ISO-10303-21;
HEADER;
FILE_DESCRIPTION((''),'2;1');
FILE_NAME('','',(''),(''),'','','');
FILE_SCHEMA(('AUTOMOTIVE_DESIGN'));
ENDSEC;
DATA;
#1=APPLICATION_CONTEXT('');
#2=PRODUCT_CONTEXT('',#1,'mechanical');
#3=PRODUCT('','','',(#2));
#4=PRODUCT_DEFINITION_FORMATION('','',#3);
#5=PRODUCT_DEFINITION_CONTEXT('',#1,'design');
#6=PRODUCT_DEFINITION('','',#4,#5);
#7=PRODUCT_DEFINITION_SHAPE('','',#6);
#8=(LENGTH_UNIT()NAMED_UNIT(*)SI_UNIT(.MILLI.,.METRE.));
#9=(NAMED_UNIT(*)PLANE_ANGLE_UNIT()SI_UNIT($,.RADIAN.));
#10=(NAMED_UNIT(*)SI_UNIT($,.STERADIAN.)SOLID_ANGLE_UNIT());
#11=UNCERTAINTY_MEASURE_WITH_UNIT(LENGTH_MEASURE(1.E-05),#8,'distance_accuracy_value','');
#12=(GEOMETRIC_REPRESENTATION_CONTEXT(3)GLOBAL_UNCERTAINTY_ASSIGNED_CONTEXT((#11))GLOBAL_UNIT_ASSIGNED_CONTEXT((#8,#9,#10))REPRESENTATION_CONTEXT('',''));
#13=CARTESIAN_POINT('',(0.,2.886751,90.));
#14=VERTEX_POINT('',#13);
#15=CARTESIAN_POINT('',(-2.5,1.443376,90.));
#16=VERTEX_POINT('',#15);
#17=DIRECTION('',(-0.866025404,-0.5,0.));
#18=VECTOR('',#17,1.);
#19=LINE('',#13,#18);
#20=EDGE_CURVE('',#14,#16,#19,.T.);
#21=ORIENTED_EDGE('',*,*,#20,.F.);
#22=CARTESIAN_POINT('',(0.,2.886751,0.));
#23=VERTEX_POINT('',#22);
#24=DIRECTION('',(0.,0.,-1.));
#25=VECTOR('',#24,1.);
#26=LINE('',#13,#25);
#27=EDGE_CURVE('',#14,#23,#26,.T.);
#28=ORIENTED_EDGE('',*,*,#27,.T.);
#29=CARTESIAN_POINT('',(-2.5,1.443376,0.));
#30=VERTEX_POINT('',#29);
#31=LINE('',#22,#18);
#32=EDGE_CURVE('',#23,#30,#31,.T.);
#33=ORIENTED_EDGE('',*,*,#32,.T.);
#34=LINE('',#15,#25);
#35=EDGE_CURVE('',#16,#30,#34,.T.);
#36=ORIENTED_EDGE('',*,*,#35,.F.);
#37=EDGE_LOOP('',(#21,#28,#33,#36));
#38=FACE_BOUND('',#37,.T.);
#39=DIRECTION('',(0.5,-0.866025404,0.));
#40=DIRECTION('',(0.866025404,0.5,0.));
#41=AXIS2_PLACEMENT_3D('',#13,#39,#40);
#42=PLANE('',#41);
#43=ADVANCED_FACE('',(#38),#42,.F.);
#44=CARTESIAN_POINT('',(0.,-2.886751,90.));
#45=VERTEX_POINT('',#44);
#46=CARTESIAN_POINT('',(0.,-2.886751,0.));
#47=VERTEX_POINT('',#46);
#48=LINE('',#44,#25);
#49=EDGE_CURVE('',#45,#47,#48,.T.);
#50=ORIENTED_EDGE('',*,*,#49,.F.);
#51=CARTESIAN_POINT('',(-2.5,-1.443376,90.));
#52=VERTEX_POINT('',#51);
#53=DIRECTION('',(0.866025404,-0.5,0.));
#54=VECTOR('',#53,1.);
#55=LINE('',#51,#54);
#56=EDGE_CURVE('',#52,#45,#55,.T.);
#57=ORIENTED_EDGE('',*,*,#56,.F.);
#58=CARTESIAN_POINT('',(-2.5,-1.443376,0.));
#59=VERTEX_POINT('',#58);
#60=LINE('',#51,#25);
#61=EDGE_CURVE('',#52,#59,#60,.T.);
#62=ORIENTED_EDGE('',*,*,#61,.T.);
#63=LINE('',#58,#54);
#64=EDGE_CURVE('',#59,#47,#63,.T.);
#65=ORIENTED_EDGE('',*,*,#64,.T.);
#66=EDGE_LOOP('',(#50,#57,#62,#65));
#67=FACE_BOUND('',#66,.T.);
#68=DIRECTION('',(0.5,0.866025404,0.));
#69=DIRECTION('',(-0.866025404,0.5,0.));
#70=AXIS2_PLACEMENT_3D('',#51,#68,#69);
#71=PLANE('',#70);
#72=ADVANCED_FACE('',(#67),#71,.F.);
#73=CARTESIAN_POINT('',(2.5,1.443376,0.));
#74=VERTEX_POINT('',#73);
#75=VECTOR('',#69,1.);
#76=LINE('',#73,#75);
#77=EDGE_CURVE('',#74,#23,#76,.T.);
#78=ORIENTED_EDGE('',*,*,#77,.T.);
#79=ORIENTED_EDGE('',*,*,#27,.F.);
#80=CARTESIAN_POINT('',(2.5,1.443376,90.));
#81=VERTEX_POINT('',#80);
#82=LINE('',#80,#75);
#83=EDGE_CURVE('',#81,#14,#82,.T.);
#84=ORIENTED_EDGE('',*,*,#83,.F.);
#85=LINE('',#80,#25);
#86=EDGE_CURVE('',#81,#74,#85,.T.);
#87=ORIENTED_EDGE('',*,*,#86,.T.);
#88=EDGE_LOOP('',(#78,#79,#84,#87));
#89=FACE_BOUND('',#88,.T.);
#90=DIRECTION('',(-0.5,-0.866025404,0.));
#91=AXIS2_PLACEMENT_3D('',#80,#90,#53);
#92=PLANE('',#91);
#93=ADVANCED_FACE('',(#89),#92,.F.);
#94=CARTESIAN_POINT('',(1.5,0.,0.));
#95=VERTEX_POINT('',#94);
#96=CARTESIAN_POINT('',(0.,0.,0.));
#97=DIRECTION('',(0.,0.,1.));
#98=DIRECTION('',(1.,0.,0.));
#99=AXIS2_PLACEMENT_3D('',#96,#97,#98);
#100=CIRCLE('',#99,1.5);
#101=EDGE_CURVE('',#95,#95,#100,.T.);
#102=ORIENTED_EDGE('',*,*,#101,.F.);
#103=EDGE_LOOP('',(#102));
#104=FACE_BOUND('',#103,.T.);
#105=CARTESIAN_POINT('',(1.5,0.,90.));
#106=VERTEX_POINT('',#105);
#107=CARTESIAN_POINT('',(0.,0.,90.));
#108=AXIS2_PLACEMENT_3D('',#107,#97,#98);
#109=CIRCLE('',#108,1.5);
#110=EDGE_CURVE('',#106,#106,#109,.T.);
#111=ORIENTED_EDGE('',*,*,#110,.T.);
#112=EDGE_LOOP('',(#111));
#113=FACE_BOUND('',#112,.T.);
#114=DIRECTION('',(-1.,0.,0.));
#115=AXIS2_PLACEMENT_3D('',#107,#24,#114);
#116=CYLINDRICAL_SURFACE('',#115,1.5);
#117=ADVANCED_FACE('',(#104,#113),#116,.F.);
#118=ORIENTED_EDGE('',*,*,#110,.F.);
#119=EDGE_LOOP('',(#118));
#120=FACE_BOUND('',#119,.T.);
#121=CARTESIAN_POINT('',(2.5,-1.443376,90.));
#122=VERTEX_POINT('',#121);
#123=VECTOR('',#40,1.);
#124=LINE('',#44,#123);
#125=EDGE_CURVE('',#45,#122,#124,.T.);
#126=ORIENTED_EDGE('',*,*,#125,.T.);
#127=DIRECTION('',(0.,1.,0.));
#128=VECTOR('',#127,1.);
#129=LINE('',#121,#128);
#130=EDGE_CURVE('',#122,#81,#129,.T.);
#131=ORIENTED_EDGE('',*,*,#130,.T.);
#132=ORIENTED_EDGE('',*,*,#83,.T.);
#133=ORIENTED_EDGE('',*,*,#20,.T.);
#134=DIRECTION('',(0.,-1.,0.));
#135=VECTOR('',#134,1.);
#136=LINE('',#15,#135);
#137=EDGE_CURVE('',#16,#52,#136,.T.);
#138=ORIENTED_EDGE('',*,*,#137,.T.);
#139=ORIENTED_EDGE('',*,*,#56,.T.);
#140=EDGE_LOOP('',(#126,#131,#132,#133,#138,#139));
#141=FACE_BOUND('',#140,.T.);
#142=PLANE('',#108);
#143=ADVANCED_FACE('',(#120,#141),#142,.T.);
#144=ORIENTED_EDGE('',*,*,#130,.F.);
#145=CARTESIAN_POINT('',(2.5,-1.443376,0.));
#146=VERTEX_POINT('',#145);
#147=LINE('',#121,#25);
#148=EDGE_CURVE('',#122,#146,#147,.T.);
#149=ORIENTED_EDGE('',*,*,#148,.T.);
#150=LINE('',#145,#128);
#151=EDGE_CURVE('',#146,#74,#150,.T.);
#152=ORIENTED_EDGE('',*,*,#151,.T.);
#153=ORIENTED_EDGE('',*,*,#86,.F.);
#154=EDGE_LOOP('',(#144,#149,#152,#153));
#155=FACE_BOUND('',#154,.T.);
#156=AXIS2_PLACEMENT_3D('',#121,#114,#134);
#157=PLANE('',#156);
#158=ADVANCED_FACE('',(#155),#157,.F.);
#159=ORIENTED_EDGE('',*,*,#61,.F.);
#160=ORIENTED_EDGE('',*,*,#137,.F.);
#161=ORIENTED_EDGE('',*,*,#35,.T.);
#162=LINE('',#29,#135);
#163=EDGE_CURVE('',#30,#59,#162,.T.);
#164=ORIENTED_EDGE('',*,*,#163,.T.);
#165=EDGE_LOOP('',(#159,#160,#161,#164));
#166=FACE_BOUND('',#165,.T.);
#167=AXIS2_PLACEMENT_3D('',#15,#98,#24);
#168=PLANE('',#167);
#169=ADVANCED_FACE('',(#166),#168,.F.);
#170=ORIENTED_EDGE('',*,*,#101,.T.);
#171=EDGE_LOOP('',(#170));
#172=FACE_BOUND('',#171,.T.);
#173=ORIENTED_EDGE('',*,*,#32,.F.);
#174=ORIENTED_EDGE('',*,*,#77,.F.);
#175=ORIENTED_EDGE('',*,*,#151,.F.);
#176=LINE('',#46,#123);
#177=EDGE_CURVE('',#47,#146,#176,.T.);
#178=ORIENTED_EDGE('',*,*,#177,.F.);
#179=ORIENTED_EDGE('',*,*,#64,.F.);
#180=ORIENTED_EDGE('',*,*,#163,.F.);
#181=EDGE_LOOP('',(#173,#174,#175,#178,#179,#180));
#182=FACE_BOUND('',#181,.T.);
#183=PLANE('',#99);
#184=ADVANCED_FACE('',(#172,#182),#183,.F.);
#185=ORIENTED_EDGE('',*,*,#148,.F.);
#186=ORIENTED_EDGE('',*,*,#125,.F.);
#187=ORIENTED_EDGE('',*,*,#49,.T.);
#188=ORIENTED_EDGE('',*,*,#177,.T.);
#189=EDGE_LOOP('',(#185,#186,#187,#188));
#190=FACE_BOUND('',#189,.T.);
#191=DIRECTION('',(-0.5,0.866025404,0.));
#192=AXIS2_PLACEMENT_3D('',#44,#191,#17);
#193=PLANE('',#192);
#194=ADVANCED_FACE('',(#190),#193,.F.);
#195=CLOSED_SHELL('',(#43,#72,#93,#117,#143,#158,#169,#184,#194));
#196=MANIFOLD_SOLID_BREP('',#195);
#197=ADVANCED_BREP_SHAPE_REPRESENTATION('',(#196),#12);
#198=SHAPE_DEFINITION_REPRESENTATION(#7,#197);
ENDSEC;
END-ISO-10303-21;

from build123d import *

# Parameters (mm, degrees)
ESQUISSE1_R        = 1.5
BOSS_EXTRU_1_DEPTH = 90


with BuildPart() as part:
    # Esquisse1 → Boss.-Extru.1 (new body)
    with BuildSketch(Plane.XY):
        Polygon((0, 2.886751346), (-2.5, 1.443375673), (-2.5, -1.443375673), (0, -2.886751346), (2.5, -1.443375673), (2.5, 1.443375673), align=None)
        Circle(ESQUISSE1_R, mode=Mode.SUBTRACT)
    extrude(amount=BOSS_EXTRU_1_DEPTH)


solid = part.part
